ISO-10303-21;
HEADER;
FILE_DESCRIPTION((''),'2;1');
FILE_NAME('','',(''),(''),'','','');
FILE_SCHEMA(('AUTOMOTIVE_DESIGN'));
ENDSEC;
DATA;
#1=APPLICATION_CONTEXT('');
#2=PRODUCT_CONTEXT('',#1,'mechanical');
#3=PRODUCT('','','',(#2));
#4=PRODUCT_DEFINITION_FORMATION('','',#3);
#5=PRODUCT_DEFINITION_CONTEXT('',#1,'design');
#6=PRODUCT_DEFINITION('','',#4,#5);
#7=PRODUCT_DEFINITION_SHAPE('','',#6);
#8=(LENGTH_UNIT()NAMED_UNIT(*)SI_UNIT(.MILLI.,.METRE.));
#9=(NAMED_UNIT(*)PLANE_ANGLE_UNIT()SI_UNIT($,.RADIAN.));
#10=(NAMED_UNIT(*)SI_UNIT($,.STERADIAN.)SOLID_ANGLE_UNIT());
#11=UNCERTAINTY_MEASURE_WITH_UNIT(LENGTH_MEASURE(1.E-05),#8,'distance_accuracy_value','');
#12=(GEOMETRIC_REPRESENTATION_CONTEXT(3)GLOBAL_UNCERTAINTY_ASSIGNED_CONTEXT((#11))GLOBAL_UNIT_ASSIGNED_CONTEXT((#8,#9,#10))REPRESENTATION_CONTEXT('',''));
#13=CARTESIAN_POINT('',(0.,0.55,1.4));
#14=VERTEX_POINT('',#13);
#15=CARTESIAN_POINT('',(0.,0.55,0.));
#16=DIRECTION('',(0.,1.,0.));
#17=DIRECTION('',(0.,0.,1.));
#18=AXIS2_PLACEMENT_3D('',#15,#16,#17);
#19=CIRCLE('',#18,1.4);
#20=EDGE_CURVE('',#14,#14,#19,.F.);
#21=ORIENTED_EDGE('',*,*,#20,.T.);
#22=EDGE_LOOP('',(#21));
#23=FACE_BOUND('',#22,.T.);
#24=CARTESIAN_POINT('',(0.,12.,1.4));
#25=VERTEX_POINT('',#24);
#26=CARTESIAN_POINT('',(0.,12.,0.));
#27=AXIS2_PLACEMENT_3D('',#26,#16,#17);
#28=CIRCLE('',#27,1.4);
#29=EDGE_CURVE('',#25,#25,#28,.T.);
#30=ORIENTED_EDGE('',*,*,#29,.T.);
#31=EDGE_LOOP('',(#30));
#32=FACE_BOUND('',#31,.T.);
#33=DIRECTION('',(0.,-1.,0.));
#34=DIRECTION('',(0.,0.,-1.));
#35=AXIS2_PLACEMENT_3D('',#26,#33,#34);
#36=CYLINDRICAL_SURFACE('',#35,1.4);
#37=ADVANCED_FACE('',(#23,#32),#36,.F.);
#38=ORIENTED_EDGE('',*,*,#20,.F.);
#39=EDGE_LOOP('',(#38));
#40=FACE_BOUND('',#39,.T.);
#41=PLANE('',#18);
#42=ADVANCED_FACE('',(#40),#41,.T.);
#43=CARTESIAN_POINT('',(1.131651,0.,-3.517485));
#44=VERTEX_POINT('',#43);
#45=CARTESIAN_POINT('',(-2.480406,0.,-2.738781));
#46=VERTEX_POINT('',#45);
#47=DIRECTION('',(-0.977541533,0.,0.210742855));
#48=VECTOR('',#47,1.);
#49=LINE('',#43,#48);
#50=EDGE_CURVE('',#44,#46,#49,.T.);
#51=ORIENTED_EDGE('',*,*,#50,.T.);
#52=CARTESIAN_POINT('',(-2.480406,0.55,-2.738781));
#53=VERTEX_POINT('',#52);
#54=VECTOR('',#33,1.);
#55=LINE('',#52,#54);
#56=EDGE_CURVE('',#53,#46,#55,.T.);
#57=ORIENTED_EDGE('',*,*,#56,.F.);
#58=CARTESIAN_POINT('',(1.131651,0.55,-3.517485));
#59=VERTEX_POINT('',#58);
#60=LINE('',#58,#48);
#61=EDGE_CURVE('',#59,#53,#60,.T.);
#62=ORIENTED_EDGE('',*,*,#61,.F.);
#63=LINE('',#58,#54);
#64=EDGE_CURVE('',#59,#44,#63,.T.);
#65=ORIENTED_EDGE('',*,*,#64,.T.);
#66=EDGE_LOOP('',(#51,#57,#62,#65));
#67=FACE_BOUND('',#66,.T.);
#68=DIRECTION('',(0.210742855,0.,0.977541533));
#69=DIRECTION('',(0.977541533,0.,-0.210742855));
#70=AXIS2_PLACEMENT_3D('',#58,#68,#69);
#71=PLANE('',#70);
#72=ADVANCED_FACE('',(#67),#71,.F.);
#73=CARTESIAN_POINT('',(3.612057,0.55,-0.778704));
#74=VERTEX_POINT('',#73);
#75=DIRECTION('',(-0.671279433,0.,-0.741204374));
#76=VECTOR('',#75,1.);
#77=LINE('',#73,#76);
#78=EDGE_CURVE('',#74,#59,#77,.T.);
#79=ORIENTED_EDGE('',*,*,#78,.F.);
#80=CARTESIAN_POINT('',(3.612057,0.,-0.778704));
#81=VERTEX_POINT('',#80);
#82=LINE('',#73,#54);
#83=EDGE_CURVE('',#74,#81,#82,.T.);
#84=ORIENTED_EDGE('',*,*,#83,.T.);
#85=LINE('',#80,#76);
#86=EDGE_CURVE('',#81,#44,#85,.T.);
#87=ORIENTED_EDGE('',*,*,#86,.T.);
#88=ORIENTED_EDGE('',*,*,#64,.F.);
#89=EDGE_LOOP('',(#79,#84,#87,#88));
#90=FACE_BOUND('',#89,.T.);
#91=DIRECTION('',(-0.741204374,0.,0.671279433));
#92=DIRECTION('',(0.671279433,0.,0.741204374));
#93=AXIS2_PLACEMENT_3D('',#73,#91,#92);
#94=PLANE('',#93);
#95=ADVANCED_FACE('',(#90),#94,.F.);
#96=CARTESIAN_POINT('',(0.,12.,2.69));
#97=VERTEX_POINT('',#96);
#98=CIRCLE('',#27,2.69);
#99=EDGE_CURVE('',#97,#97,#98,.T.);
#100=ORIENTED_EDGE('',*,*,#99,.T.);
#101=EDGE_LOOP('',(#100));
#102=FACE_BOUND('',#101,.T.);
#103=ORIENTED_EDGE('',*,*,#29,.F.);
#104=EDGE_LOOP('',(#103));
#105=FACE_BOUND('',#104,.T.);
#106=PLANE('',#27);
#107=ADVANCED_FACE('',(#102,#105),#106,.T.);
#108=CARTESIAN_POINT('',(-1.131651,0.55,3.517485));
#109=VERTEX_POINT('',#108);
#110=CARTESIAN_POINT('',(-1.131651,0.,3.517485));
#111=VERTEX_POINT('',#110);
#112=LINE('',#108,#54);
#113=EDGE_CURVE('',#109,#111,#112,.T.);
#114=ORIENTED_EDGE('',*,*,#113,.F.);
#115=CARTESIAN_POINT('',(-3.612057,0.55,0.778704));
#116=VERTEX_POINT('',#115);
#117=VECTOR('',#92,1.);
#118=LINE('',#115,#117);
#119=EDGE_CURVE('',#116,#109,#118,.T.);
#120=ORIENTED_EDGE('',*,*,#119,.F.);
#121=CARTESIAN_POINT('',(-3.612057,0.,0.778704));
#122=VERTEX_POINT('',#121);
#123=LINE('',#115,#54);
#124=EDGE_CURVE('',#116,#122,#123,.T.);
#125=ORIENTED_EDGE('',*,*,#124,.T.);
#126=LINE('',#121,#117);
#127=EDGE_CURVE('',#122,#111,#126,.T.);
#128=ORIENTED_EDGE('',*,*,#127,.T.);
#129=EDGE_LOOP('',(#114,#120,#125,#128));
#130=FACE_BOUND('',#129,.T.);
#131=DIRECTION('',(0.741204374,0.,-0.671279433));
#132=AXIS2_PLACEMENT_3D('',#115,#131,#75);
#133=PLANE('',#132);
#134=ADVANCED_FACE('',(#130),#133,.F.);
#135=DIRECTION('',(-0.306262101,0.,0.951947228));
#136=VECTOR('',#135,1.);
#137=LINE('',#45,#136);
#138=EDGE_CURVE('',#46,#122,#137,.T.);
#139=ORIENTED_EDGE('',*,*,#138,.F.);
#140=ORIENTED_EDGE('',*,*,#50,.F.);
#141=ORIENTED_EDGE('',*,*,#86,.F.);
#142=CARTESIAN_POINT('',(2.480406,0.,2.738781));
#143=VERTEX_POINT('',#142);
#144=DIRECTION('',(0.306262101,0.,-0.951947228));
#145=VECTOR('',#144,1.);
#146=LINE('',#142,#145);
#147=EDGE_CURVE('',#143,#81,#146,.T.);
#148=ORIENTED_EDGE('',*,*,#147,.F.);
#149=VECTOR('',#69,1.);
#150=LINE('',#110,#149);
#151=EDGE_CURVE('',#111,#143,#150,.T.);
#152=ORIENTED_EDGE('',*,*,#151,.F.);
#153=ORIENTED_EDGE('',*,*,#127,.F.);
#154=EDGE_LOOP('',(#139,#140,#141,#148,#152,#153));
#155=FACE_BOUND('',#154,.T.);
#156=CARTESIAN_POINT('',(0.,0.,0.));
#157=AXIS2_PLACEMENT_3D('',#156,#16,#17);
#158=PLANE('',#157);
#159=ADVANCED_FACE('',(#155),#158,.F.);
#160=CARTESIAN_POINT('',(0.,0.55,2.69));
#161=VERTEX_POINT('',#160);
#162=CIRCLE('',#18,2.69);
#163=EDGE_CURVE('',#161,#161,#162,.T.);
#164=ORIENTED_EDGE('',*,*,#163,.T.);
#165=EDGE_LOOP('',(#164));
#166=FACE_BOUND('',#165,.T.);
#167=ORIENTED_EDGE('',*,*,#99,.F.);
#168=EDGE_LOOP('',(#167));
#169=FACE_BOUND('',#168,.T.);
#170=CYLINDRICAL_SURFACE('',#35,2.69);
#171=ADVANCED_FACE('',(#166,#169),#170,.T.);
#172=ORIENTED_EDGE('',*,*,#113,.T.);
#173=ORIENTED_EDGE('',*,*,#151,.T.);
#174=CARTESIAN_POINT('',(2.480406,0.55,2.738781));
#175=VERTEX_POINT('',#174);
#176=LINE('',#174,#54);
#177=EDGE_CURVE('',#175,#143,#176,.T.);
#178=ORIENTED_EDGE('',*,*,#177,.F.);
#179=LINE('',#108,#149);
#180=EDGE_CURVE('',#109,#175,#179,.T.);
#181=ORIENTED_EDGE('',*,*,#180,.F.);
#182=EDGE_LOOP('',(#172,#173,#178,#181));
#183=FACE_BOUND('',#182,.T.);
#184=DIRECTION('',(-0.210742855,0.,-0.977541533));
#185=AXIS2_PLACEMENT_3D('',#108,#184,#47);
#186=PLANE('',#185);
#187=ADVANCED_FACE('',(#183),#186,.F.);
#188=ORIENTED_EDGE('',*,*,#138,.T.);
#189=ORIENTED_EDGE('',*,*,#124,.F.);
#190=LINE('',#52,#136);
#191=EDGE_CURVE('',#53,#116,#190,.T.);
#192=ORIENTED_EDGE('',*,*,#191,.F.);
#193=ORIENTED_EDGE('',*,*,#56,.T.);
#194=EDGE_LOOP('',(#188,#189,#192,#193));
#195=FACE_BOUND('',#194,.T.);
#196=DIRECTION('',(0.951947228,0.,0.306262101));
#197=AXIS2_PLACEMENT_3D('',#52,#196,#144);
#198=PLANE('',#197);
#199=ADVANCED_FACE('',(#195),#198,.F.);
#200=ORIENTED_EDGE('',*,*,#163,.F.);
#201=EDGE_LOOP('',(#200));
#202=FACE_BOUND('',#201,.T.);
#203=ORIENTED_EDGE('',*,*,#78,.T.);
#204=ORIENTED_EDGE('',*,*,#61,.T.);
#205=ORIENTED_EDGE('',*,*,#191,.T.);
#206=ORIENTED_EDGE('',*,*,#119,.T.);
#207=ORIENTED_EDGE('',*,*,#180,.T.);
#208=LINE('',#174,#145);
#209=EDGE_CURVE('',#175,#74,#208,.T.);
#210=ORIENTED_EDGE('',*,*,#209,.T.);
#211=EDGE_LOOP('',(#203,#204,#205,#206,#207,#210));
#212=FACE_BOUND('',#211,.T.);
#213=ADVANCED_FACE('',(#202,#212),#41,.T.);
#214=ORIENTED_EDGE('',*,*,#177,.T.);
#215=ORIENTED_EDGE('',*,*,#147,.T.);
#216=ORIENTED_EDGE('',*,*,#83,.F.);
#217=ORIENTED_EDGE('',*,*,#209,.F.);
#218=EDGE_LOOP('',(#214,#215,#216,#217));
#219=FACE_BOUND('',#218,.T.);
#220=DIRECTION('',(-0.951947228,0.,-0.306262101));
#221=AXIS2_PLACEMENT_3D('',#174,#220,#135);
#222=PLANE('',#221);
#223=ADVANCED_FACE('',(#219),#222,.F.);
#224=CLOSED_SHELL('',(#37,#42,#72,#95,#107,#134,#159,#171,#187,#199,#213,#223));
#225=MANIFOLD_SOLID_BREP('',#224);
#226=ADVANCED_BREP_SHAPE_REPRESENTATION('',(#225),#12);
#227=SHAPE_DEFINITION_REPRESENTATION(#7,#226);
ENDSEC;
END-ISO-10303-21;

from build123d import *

# Parameters (mm, degrees)
RESSALTO_EXTRUS_O1_DEPTH = 0.55
ESBO_O2_R                = 2.69
ESBO_O2_R_2              = 1.4
RESSALTO_EXTRUS_O2_DEPTH = 11.45


with BuildPart() as part:
    # Esboço1 → Ressalto-extrusão1 (new body)
    with BuildSketch(Plane(origin=(0, 0, 0), x_dir=(1, 0, 0), z_dir=(0, 1, 0))):
        Polygon((2.480405511, -2.738781085), (3.612056751, 0.778703642), (1.13165124, 3.517484727), (-2.480405511, 2.738781085), (-3.612056751, -0.778703642), (-1.13165124, -3.517484727), align=None)
    extrude(amount=RESSALTO_EXTRUS_O1_DEPTH)

    # Esboço2 → Ressalto-extrusão2 (add)
    with BuildSketch(Plane(origin=(0, 0.55, 0), x_dir=(1, 0, 0), z_dir=(0, 1, 0))):
        with Locations(Location((0, 0, 0), (0, 0, 270))):
            Circle(ESBO_O2_R)
        with Locations(Location((0, 0, 0), (0, 0, 270))):
            Circle(ESBO_O2_R_2, mode=Mode.SUBTRACT)
    extrude(amount=RESSALTO_EXTRUS_O2_DEPTH)


solid = part.part
